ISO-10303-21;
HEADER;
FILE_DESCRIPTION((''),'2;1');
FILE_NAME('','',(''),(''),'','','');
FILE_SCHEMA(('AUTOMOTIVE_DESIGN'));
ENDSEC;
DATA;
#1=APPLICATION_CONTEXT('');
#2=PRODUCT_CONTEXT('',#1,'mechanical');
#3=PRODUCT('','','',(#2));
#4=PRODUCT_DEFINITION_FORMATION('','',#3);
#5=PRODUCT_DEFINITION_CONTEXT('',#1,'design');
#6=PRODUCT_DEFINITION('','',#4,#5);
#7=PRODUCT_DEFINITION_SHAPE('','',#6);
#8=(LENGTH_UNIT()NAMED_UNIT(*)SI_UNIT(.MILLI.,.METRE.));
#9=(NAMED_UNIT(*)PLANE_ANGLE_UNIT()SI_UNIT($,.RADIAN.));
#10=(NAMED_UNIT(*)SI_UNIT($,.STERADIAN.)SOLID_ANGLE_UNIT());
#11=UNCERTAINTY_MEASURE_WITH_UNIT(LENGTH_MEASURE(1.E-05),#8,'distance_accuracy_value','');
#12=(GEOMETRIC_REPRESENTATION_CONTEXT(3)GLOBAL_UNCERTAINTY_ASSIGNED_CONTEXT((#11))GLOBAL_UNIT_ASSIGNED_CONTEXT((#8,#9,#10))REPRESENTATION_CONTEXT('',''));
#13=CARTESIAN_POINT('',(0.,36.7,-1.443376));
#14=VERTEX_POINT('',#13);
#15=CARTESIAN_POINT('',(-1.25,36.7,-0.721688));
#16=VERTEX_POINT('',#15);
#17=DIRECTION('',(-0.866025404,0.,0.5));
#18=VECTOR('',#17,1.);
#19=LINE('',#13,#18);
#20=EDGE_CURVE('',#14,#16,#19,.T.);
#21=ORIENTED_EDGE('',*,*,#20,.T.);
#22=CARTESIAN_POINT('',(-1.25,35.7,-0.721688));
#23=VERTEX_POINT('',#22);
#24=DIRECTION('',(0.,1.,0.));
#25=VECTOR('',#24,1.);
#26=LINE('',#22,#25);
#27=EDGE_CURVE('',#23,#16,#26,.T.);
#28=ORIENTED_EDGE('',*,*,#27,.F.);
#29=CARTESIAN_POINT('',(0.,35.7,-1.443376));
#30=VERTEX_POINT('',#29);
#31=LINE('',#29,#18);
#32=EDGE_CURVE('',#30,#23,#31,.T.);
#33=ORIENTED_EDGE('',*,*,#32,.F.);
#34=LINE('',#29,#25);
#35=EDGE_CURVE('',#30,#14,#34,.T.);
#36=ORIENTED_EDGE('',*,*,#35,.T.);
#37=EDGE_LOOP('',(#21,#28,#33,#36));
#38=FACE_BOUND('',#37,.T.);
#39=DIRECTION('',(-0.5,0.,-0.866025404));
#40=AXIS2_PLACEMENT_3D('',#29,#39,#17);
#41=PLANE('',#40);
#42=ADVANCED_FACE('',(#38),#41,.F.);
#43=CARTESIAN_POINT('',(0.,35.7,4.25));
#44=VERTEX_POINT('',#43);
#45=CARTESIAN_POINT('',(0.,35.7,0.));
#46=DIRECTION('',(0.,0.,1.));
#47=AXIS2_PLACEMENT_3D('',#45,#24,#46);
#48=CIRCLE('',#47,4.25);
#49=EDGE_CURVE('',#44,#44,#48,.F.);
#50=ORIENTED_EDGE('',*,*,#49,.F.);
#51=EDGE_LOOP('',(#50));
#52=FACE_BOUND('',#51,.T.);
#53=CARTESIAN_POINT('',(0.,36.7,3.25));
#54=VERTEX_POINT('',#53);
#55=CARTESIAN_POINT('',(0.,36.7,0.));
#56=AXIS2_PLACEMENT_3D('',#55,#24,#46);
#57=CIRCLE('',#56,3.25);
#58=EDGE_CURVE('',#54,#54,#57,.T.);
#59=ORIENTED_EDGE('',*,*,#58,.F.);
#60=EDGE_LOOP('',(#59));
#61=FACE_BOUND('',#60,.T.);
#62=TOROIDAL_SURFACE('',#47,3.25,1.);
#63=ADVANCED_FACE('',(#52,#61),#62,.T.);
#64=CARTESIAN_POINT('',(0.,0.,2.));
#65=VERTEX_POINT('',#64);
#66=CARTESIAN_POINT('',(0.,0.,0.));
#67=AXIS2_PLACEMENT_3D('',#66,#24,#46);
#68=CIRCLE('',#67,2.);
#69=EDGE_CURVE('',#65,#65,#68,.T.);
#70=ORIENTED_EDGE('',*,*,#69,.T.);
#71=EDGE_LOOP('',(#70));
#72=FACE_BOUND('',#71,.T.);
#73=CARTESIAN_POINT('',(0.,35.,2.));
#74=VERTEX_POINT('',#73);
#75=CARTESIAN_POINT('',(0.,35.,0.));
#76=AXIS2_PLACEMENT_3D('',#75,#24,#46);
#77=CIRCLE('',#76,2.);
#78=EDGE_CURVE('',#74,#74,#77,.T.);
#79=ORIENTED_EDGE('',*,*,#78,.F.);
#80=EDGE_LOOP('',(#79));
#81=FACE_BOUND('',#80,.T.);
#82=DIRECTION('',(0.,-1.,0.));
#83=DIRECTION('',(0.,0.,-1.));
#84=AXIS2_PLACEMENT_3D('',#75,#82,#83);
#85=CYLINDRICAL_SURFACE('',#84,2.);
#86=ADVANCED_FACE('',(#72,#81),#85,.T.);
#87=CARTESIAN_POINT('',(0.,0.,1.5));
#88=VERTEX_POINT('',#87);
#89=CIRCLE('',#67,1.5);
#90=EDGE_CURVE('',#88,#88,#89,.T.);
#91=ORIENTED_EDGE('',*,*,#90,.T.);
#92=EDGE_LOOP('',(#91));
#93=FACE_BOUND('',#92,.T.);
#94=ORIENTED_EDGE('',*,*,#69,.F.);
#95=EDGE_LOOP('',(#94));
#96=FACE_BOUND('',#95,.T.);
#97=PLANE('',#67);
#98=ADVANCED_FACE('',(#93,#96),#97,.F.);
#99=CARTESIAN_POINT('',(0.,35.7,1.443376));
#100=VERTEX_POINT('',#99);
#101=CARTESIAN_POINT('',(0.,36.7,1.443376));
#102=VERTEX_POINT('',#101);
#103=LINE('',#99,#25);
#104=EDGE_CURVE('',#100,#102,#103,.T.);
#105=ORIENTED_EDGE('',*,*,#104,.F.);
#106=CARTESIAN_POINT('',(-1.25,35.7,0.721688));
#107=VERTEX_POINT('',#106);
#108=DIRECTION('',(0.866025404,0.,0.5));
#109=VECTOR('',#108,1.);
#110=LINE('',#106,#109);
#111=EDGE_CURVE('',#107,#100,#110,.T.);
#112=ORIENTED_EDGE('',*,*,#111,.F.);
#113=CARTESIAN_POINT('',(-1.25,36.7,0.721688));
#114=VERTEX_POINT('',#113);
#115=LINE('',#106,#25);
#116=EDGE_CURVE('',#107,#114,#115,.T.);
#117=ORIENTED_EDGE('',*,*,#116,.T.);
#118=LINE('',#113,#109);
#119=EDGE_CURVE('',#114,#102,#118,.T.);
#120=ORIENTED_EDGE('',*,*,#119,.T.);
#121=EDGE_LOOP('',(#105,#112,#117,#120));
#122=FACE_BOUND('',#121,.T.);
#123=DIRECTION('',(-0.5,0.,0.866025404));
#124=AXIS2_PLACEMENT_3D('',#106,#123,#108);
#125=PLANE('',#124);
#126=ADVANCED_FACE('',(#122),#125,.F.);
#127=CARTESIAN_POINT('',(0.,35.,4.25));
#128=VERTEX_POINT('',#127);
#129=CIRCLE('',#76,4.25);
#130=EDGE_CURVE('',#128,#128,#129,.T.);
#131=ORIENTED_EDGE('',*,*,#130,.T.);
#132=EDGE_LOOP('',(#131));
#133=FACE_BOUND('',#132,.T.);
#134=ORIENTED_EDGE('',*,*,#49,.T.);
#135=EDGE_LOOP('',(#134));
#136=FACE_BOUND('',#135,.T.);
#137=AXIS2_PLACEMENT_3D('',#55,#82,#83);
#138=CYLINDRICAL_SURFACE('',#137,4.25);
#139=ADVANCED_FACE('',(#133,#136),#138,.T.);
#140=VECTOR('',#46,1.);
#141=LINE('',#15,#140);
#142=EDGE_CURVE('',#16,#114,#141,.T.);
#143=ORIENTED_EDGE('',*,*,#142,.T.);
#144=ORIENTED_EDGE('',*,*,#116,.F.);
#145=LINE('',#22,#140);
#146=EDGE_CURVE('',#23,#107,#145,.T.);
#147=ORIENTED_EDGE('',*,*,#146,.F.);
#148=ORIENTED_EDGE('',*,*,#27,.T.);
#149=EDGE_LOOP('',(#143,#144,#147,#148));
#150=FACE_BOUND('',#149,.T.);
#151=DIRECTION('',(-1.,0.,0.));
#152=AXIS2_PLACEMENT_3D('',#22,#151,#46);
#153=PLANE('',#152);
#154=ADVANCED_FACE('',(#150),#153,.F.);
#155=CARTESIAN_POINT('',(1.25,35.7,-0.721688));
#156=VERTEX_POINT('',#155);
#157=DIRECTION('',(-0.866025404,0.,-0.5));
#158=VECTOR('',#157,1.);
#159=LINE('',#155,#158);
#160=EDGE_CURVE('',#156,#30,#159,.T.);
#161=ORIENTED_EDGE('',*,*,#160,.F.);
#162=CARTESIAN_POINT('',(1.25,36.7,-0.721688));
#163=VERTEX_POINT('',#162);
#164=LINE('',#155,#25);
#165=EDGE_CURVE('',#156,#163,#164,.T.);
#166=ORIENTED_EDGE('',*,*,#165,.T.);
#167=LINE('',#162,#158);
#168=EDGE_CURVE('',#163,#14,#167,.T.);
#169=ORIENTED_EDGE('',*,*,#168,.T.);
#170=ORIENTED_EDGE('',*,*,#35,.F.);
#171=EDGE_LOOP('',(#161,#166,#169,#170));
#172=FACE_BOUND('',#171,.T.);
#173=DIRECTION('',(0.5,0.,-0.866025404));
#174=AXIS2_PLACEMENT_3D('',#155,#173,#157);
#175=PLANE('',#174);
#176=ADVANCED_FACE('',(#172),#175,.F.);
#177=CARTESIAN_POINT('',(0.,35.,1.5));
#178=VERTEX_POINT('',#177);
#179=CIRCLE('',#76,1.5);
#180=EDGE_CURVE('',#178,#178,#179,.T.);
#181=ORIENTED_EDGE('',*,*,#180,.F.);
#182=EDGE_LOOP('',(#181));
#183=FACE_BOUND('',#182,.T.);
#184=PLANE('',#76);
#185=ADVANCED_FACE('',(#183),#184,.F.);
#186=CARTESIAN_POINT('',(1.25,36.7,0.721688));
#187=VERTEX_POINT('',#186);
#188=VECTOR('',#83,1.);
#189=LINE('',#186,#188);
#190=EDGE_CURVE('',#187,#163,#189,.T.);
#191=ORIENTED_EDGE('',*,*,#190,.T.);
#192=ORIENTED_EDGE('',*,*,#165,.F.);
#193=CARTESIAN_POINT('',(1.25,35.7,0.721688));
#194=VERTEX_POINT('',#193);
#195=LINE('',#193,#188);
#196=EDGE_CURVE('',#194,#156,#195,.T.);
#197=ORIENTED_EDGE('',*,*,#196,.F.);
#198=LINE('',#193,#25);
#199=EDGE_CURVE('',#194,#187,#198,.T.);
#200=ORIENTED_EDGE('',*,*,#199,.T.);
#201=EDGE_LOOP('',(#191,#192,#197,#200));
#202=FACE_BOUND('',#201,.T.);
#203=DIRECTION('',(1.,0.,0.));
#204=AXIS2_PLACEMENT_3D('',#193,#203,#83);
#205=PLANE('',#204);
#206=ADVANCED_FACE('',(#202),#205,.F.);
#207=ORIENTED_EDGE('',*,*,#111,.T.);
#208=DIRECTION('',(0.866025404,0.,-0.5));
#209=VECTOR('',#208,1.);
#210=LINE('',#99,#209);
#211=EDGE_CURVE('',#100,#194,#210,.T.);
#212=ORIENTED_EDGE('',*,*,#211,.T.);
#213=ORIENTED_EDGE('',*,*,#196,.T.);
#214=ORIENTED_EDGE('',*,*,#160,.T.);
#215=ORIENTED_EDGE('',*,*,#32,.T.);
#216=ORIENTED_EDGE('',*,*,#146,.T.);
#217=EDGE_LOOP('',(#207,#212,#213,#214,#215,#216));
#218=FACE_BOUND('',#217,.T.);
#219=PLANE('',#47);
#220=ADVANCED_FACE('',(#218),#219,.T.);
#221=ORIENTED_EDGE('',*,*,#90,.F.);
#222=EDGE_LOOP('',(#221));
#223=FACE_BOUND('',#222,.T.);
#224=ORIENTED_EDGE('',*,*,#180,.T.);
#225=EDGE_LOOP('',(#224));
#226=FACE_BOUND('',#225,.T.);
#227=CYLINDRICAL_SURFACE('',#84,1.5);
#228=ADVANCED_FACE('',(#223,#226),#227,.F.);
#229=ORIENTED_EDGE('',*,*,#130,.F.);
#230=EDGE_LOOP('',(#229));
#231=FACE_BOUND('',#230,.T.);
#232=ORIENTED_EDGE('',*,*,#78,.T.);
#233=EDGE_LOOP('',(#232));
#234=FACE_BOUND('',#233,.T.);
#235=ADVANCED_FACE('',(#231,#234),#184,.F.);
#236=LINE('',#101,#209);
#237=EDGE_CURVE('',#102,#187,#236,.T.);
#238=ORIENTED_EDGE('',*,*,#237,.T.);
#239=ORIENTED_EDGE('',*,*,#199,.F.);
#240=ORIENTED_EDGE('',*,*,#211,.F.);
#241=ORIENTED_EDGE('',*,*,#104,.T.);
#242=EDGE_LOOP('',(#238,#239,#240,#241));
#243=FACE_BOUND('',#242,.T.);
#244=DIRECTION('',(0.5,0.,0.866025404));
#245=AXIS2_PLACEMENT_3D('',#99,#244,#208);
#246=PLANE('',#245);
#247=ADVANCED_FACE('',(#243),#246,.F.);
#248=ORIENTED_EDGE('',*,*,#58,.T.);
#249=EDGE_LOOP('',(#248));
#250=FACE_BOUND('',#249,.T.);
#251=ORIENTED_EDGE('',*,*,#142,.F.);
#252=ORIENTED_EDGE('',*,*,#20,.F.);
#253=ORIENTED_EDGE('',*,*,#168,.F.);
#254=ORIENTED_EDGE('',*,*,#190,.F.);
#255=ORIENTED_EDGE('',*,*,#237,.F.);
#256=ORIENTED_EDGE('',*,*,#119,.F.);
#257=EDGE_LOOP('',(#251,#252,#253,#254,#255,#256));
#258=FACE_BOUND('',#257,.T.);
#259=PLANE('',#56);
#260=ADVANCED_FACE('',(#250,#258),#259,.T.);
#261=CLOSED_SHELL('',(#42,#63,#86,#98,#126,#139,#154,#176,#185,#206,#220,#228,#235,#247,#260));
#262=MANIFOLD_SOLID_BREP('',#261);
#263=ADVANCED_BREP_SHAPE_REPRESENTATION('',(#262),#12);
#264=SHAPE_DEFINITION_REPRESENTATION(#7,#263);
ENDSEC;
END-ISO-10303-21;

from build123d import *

# Parameters (mm, degrees)
SKETCH_1_R          = 2
SKETCH_1_R_2        = 1.5
EXTRUDE_1_DEPTH     = 35
SKETCH_2_R          = 4.25
EXTRUDE_2_DEPTH     = 1.7
CUT_EXTRUDE_1_DEPTH = 1
FILLET_1_R          = 1


with BuildPart() as part:
    # 草图1 → 凸台-拉伸1 (new body)
    with BuildSketch(Plane(origin=(0, 0, 0), x_dir=(1, 0, 0), z_dir=(0, 1, 0))):
        with Locations(Location((0, 0, 0), (0, 0, 270))):
            Circle(SKETCH_1_R)
        with Locations(Location((0, 0, 0), (0, 0, 270))):
            Circle(SKETCH_1_R_2, mode=Mode.SUBTRACT)
    extrude(amount=EXTRUDE_1_DEPTH)

    # 草图2 → 凸台-拉伸2 (add)
    with BuildSketch(Plane(origin=(0, 35, 0), x_dir=(1, 0, 0), z_dir=(0, 1, 0))):
        with Locations(Location((0, 0, 0), (0, 0, 270))):
            Circle(SKETCH_2_R)
    extrude(amount=EXTRUDE_2_DEPTH)

    # 草图3 → 切除-拉伸1 (cut)
    with BuildSketch(Plane(origin=(0, 36.7, 0), x_dir=(1, 0, 0), z_dir=(0, 1, 0))):
        Polygon((1.25, 0.721687836), (0, 1.443375673), (-1.25, 0.721687836), (-1.25, -0.721687836), (0, -1.443375673), (1.25, -0.721687836), align=None)
    extrude(amount=-CUT_EXTRUDE_1_DEPTH, mode=Mode.SUBTRACT)

    # 圆角1
    fillet_1_edges = [part.edges().sort_by_distance(p)[0] for p in [
        (0, 36.7, -4.25),
    ]]
    fillet(fillet_1_edges, radius=FILLET_1_R)


solid = part.part
